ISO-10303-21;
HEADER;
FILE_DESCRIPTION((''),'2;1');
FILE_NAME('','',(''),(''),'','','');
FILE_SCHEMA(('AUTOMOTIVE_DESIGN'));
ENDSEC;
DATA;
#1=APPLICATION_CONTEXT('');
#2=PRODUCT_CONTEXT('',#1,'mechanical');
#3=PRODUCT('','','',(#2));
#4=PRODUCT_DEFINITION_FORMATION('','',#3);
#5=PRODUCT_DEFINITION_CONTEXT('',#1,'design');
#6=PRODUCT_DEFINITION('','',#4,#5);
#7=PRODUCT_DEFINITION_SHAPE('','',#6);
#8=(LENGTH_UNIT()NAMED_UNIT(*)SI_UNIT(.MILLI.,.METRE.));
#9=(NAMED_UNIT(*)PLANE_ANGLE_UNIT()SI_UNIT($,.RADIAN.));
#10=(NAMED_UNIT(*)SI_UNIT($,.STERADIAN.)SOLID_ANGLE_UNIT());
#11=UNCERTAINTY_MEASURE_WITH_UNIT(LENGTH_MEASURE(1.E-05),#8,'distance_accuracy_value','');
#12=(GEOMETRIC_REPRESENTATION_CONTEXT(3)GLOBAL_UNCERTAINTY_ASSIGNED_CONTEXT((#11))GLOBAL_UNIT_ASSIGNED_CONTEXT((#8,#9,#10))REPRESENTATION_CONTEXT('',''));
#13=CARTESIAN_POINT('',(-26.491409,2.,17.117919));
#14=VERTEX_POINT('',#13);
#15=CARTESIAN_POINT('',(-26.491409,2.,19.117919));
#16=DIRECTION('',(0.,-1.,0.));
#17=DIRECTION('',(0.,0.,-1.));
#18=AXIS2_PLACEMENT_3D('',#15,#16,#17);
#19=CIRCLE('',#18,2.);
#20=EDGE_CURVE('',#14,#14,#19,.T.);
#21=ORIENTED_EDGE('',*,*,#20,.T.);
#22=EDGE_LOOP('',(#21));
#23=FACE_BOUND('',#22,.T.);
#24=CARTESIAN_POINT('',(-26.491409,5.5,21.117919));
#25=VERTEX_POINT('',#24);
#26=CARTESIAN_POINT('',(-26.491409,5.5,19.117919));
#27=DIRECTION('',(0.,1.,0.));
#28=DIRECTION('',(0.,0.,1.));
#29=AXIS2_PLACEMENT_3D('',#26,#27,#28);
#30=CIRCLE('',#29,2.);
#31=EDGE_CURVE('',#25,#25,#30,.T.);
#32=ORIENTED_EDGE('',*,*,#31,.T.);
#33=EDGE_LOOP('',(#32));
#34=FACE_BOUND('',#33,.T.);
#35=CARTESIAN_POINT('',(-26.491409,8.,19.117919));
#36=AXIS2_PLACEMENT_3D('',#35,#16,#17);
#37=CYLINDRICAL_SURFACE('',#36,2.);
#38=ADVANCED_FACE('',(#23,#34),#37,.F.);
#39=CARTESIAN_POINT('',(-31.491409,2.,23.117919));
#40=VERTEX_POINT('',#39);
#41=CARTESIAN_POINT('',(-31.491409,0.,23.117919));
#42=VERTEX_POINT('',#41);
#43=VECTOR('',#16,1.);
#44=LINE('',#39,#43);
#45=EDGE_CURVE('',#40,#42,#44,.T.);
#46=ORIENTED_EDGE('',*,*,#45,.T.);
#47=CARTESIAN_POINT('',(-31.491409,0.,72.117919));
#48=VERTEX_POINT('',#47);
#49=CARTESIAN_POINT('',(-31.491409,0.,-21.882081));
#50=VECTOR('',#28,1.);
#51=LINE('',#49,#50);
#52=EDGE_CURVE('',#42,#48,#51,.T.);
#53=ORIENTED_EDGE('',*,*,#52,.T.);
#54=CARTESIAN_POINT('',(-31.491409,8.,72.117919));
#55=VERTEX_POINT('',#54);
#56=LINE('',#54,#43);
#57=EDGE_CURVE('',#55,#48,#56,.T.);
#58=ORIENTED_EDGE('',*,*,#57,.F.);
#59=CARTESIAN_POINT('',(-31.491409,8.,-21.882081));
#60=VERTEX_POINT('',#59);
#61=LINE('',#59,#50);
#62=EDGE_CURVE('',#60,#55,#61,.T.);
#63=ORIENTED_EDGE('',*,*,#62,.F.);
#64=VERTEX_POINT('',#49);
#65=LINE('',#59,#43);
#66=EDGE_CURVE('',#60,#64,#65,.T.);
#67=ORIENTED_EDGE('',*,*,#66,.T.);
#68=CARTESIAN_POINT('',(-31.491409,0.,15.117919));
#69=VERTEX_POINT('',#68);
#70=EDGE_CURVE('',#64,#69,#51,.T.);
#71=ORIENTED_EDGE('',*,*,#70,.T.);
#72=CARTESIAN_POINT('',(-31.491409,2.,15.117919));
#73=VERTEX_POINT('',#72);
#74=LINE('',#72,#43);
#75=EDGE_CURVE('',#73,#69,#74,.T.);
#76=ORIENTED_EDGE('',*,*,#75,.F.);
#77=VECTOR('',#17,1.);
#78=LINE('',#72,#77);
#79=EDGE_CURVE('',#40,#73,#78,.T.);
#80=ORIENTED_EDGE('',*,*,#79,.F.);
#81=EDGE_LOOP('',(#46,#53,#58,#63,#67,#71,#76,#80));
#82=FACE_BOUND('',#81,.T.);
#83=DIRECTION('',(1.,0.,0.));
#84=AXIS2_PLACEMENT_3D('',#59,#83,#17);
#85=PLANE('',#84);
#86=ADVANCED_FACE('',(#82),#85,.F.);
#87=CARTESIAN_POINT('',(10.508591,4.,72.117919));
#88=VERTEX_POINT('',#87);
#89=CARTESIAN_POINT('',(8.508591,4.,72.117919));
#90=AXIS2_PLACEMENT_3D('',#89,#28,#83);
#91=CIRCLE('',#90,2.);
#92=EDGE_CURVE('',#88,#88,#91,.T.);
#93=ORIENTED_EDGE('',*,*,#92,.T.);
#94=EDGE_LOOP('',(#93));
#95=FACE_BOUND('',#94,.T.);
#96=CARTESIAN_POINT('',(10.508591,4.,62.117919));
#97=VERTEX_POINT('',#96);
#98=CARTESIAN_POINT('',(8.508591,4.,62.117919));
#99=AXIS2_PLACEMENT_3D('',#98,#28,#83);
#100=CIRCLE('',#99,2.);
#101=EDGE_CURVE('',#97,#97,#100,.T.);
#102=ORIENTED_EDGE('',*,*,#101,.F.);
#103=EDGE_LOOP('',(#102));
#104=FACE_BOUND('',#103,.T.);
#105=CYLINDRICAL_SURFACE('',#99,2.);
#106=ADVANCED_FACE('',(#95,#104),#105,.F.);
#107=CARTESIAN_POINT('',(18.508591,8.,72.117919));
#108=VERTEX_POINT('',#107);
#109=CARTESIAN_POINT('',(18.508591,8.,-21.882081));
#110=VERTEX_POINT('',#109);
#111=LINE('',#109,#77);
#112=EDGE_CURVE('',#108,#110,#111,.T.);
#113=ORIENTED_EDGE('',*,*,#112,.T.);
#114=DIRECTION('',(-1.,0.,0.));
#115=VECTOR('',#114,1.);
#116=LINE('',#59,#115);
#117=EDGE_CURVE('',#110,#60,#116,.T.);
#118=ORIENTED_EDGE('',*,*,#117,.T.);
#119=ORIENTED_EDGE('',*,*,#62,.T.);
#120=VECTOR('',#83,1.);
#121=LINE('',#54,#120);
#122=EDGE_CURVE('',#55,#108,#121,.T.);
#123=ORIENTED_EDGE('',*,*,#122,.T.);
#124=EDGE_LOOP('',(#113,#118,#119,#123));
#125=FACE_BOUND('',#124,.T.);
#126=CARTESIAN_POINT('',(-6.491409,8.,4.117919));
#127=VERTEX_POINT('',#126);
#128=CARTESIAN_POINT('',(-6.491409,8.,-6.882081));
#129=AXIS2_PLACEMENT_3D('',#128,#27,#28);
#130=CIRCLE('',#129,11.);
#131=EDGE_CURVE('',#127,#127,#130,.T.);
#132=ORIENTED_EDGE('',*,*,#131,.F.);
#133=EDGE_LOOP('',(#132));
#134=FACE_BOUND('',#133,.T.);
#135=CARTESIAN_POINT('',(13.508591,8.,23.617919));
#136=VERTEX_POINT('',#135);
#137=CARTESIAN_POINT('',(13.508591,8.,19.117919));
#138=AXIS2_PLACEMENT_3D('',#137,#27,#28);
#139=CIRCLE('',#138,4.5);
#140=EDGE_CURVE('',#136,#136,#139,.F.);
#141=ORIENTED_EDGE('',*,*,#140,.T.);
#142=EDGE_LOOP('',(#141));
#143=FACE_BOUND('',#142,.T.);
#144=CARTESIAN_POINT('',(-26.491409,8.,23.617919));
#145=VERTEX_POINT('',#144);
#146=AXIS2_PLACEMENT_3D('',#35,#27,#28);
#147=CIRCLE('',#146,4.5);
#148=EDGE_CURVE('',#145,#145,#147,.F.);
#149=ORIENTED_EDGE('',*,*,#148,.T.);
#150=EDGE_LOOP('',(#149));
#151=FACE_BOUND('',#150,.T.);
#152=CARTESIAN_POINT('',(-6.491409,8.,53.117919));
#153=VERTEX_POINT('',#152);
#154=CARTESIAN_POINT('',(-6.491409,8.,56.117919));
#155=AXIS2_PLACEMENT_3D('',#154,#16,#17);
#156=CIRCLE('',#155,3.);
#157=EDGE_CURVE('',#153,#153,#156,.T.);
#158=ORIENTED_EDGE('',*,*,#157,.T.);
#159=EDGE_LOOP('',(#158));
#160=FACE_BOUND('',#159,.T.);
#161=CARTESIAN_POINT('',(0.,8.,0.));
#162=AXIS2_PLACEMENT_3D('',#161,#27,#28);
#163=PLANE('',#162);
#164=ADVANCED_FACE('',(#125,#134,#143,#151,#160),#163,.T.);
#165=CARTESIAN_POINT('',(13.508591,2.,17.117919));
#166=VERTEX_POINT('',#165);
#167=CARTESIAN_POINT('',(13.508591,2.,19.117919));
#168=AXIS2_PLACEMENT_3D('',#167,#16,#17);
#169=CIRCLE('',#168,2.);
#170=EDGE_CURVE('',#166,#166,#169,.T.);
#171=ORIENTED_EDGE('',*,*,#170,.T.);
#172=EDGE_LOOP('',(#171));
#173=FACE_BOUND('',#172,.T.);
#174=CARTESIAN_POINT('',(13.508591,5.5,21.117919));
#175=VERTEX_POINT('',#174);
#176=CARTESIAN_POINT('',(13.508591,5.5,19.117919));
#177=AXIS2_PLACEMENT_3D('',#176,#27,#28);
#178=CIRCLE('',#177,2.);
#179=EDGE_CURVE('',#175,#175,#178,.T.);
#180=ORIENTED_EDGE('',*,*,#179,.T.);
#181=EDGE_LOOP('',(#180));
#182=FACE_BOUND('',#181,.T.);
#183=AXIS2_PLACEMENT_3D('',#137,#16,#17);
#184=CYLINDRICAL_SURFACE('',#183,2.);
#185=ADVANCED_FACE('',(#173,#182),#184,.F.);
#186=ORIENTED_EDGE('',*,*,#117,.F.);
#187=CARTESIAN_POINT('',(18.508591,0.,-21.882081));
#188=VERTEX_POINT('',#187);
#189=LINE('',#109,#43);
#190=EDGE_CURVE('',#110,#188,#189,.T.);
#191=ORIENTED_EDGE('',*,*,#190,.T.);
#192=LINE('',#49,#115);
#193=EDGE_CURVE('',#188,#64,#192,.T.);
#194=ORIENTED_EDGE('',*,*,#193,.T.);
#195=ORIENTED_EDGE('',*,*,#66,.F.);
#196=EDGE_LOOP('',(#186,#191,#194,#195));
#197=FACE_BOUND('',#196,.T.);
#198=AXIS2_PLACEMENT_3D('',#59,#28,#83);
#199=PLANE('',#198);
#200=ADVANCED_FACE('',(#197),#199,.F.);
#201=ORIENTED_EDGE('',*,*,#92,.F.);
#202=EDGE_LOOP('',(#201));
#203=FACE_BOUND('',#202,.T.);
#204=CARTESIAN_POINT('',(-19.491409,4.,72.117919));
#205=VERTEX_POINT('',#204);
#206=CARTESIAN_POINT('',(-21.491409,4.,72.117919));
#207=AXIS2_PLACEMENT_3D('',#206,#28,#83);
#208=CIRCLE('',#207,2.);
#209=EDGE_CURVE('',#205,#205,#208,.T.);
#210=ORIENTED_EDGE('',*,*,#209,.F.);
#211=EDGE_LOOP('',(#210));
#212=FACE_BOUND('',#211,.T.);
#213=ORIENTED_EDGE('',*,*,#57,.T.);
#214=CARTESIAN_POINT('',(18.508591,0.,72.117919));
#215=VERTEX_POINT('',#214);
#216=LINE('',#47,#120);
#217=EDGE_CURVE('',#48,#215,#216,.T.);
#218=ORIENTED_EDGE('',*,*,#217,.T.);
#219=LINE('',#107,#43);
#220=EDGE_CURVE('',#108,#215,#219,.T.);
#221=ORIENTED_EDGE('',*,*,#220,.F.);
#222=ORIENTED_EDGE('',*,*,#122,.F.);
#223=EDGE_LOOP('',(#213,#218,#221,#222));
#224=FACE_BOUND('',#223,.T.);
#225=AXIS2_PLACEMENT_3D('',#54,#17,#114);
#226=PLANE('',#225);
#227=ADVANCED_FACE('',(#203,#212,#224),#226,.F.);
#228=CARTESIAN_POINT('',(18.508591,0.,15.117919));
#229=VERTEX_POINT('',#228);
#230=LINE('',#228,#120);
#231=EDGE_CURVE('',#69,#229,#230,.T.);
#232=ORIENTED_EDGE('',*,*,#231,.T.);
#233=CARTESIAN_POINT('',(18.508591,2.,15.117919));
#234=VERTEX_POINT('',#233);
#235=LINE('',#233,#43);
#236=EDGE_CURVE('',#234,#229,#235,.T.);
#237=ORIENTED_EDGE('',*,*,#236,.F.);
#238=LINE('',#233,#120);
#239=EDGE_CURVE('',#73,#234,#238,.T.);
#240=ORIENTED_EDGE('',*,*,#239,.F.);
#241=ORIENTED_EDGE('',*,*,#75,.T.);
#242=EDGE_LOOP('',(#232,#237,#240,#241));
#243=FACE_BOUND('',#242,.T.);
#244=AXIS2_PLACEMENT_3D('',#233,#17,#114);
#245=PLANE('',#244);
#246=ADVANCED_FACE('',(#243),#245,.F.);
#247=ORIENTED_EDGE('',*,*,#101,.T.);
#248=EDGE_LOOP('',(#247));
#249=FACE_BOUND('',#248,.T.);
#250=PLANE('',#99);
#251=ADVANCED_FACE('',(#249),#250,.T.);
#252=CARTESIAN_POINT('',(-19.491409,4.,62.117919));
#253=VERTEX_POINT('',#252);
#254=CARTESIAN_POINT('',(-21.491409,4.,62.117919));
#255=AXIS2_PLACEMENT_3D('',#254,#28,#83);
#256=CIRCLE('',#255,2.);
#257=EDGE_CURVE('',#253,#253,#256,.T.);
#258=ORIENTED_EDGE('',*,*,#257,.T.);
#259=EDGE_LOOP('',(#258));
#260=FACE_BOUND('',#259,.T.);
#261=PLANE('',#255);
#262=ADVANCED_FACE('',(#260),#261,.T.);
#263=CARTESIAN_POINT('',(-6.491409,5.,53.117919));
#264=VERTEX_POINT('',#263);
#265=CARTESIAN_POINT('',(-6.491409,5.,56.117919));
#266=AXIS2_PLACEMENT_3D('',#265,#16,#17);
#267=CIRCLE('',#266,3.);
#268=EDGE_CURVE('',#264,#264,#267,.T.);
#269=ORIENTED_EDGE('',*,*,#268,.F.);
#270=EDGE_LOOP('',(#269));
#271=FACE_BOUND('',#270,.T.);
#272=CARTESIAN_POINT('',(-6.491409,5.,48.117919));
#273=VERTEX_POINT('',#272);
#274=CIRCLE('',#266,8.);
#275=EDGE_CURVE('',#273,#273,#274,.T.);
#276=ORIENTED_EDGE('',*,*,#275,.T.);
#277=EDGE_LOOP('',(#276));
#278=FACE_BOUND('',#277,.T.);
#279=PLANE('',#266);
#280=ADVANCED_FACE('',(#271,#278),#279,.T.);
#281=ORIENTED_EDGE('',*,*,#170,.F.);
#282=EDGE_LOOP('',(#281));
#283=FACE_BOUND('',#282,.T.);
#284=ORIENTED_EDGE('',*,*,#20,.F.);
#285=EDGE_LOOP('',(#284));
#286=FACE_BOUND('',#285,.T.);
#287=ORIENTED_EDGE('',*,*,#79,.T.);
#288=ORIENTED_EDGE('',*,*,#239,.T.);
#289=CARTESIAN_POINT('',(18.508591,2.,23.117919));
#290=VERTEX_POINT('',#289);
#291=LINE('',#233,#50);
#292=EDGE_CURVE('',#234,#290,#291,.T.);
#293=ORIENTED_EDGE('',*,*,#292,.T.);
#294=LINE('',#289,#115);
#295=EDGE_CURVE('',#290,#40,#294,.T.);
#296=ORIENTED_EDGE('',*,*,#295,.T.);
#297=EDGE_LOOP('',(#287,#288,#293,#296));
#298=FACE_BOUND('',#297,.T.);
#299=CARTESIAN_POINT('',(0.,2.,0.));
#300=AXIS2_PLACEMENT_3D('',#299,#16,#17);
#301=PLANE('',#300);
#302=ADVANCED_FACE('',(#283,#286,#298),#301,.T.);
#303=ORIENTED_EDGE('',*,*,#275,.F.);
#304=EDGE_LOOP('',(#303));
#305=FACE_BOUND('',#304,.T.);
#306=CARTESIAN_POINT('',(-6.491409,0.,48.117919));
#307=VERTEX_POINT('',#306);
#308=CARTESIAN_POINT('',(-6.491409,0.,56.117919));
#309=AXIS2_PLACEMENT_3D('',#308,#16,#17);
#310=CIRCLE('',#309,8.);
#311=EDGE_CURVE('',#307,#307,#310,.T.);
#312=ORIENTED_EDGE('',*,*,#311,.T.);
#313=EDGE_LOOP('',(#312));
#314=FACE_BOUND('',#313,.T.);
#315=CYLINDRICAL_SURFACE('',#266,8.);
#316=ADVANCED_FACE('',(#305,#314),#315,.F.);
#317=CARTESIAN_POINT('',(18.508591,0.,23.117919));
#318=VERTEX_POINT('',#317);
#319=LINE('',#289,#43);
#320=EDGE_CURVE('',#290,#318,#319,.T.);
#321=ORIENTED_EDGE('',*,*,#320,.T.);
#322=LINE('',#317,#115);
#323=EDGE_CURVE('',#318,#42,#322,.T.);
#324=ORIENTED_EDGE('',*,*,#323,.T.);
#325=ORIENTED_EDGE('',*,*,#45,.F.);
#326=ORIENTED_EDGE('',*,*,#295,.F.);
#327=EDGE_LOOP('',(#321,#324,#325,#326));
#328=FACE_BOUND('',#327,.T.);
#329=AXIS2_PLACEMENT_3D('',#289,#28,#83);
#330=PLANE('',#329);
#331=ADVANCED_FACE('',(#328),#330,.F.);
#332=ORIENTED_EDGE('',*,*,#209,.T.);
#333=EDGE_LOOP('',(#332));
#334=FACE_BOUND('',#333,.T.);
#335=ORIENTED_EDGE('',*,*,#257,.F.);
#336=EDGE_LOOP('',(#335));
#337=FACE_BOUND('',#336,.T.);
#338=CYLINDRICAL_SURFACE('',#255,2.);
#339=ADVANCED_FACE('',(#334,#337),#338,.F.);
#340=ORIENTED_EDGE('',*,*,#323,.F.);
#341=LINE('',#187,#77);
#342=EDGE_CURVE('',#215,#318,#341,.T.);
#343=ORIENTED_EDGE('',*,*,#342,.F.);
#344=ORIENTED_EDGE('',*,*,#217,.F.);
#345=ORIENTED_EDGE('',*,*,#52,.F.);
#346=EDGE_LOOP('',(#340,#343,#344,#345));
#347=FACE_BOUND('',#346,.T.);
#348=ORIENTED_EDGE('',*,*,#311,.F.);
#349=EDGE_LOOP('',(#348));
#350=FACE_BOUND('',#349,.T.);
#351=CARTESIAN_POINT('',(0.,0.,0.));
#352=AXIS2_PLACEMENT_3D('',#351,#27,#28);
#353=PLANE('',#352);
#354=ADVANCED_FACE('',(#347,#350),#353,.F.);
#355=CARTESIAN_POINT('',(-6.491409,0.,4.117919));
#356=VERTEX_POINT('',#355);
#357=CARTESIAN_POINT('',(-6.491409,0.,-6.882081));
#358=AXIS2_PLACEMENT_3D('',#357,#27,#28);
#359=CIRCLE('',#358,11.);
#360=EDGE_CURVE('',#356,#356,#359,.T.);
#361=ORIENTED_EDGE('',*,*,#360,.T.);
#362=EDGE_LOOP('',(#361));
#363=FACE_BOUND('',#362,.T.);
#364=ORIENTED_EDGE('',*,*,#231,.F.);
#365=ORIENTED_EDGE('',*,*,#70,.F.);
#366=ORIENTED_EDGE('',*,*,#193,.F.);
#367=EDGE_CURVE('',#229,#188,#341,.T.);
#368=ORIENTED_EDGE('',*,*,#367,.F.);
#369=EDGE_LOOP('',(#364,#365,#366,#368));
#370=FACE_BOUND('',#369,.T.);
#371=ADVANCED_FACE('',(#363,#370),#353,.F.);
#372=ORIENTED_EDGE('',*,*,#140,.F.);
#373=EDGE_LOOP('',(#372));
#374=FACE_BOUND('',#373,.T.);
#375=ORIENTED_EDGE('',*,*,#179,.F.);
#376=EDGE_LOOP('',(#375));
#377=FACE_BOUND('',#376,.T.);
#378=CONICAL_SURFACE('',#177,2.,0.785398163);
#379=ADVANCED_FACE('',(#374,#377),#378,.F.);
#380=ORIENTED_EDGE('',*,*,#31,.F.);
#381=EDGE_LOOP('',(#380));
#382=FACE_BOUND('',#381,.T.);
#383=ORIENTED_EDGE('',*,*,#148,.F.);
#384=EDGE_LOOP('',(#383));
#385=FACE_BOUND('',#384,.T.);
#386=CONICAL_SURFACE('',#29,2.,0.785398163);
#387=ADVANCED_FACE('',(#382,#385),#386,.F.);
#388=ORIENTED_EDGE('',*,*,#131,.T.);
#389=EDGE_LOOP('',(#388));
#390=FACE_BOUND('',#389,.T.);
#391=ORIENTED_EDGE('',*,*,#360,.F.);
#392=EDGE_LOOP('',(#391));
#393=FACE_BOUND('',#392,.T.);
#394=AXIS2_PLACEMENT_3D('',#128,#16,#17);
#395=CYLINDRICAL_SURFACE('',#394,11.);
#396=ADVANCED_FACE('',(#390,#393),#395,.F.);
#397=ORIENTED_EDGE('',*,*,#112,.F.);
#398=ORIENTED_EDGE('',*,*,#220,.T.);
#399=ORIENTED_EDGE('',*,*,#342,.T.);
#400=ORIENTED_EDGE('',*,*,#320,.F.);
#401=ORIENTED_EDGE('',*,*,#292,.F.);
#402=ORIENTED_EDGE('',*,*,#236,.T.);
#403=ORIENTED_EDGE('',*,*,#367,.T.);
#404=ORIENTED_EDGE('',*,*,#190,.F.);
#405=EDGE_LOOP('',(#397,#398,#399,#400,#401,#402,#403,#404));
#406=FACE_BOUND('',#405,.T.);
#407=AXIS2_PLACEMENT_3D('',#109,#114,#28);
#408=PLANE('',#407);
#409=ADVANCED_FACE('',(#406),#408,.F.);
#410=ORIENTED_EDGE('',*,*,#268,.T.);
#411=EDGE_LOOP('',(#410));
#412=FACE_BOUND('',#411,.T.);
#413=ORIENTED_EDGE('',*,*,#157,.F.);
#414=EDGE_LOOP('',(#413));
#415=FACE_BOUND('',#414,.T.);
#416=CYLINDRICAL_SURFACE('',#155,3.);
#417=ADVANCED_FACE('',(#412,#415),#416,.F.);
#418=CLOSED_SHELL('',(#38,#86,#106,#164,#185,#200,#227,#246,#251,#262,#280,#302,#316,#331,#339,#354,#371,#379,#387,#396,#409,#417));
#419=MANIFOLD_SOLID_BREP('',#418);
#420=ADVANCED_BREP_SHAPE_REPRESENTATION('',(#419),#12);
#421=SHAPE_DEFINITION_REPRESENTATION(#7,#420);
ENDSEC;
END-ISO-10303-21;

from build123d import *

# Parameters (mm, degrees)
ESQUISSE1_W             = 50
ESQUISSE1_H             = 94
ESQUISSE1_R             = 11
ESQUISSE1_R_2           = 2
BOSS_EXTRU_1_DEPTH      = 8
CHANFREIN1_SIZE         = 2.5
ESQUISSE2_R             = 2
ENL_V_MAT_EXTRU_1_DEPTH = 10
ESQUISSE3_R             = 8
ENL_V_MAT_EXTRU_2_DEPTH = 5
ESQUISSE4_R             = 3
ENL_V_MAT_EXTRU_3_DEPTH = 79.852413099
ESQUISSE5_W             = 50
ESQUISSE5_H             = 8
ENL_V_MAT_EXTRU_4_DEPTH = 2


with BuildPart() as part:
    # Esquisse1 → Boss.-Extru.1 (new body)
    with BuildSketch(Plane(origin=(0, 0, 0), x_dir=(1, 0, 0), z_dir=(0, 1, 0))):
        with Locations((-6.491408935, -25.117918819)):
            Rectangle(ESQUISSE1_W, ESQUISSE1_H)
        with Locations(Location((-6.491408935, 6.882081181, 0), (0, 0, 270))):
            Circle(ESQUISSE1_R, mode=Mode.SUBTRACT)
        with Locations(Location((-26.491408935, -19.117918819, 0), (0, 0, 270))):
            Circle(ESQUISSE1_R_2, mode=Mode.SUBTRACT)
        with Locations(Location((13.508591065, -19.117918819, 0), (0, 0, 270))):
            Circle(ESQUISSE1_R_2, mode=Mode.SUBTRACT)
    extrude(amount=BOSS_EXTRU_1_DEPTH)

    # Chanfrein1
    chanfrein1_edges = [part.edges().sort_by_distance(p)[0] for p in [
        (-26.491408935, 8, 17.117918819),
        (13.508591065, 8, 17.117918819),
    ]]
    chamfer(chanfrein1_edges, length=CHANFREIN1_SIZE)

    # Esquisse2 → Enlèv. mat.-Extru.1 (cut)
    with BuildSketch(Plane.XY.offset(72.117918819)):
        with Locations((-21.491408935, 4)):
            Circle(ESQUISSE2_R)
        with Locations((8.508591065, 4)):
            Circle(ESQUISSE2_R)
    extrude(amount=-ENL_V_MAT_EXTRU_1_DEPTH, mode=Mode.SUBTRACT)

    # Esquisse3 → Enlèv. mat.-Extru.2 (cut)
    with BuildSketch(Plane.XZ):
        with Locations(Location((-6.491408935, 56.117918819, 0), (0, 0, 270))):
            Circle(ESQUISSE3_R)
    extrude(amount=-ENL_V_MAT_EXTRU_2_DEPTH, mode=Mode.SUBTRACT)

    # Esquisse4 → Enlèv. mat.-Extru.3 (cut, through all)
    with BuildSketch(Plane.XZ.offset(-5)):
        with Locations(Location((-6.491408935, 56.117918819, 0), (0, 0, 270))):
            Circle(ESQUISSE4_R)
    extrude(amount=-ENL_V_MAT_EXTRU_3_DEPTH, mode=Mode.SUBTRACT)

    # Esquisse5 → Enlèv. mat.-Extru.4 (cut)
    with BuildSketch(Plane.XZ):
        with Locations((-6.491408935, 19.117918819)):
            Rectangle(ESQUISSE5_W, ESQUISSE5_H)
    extrude(amount=-ENL_V_MAT_EXTRU_4_DEPTH, mode=Mode.SUBTRACT)


solid = part.part
